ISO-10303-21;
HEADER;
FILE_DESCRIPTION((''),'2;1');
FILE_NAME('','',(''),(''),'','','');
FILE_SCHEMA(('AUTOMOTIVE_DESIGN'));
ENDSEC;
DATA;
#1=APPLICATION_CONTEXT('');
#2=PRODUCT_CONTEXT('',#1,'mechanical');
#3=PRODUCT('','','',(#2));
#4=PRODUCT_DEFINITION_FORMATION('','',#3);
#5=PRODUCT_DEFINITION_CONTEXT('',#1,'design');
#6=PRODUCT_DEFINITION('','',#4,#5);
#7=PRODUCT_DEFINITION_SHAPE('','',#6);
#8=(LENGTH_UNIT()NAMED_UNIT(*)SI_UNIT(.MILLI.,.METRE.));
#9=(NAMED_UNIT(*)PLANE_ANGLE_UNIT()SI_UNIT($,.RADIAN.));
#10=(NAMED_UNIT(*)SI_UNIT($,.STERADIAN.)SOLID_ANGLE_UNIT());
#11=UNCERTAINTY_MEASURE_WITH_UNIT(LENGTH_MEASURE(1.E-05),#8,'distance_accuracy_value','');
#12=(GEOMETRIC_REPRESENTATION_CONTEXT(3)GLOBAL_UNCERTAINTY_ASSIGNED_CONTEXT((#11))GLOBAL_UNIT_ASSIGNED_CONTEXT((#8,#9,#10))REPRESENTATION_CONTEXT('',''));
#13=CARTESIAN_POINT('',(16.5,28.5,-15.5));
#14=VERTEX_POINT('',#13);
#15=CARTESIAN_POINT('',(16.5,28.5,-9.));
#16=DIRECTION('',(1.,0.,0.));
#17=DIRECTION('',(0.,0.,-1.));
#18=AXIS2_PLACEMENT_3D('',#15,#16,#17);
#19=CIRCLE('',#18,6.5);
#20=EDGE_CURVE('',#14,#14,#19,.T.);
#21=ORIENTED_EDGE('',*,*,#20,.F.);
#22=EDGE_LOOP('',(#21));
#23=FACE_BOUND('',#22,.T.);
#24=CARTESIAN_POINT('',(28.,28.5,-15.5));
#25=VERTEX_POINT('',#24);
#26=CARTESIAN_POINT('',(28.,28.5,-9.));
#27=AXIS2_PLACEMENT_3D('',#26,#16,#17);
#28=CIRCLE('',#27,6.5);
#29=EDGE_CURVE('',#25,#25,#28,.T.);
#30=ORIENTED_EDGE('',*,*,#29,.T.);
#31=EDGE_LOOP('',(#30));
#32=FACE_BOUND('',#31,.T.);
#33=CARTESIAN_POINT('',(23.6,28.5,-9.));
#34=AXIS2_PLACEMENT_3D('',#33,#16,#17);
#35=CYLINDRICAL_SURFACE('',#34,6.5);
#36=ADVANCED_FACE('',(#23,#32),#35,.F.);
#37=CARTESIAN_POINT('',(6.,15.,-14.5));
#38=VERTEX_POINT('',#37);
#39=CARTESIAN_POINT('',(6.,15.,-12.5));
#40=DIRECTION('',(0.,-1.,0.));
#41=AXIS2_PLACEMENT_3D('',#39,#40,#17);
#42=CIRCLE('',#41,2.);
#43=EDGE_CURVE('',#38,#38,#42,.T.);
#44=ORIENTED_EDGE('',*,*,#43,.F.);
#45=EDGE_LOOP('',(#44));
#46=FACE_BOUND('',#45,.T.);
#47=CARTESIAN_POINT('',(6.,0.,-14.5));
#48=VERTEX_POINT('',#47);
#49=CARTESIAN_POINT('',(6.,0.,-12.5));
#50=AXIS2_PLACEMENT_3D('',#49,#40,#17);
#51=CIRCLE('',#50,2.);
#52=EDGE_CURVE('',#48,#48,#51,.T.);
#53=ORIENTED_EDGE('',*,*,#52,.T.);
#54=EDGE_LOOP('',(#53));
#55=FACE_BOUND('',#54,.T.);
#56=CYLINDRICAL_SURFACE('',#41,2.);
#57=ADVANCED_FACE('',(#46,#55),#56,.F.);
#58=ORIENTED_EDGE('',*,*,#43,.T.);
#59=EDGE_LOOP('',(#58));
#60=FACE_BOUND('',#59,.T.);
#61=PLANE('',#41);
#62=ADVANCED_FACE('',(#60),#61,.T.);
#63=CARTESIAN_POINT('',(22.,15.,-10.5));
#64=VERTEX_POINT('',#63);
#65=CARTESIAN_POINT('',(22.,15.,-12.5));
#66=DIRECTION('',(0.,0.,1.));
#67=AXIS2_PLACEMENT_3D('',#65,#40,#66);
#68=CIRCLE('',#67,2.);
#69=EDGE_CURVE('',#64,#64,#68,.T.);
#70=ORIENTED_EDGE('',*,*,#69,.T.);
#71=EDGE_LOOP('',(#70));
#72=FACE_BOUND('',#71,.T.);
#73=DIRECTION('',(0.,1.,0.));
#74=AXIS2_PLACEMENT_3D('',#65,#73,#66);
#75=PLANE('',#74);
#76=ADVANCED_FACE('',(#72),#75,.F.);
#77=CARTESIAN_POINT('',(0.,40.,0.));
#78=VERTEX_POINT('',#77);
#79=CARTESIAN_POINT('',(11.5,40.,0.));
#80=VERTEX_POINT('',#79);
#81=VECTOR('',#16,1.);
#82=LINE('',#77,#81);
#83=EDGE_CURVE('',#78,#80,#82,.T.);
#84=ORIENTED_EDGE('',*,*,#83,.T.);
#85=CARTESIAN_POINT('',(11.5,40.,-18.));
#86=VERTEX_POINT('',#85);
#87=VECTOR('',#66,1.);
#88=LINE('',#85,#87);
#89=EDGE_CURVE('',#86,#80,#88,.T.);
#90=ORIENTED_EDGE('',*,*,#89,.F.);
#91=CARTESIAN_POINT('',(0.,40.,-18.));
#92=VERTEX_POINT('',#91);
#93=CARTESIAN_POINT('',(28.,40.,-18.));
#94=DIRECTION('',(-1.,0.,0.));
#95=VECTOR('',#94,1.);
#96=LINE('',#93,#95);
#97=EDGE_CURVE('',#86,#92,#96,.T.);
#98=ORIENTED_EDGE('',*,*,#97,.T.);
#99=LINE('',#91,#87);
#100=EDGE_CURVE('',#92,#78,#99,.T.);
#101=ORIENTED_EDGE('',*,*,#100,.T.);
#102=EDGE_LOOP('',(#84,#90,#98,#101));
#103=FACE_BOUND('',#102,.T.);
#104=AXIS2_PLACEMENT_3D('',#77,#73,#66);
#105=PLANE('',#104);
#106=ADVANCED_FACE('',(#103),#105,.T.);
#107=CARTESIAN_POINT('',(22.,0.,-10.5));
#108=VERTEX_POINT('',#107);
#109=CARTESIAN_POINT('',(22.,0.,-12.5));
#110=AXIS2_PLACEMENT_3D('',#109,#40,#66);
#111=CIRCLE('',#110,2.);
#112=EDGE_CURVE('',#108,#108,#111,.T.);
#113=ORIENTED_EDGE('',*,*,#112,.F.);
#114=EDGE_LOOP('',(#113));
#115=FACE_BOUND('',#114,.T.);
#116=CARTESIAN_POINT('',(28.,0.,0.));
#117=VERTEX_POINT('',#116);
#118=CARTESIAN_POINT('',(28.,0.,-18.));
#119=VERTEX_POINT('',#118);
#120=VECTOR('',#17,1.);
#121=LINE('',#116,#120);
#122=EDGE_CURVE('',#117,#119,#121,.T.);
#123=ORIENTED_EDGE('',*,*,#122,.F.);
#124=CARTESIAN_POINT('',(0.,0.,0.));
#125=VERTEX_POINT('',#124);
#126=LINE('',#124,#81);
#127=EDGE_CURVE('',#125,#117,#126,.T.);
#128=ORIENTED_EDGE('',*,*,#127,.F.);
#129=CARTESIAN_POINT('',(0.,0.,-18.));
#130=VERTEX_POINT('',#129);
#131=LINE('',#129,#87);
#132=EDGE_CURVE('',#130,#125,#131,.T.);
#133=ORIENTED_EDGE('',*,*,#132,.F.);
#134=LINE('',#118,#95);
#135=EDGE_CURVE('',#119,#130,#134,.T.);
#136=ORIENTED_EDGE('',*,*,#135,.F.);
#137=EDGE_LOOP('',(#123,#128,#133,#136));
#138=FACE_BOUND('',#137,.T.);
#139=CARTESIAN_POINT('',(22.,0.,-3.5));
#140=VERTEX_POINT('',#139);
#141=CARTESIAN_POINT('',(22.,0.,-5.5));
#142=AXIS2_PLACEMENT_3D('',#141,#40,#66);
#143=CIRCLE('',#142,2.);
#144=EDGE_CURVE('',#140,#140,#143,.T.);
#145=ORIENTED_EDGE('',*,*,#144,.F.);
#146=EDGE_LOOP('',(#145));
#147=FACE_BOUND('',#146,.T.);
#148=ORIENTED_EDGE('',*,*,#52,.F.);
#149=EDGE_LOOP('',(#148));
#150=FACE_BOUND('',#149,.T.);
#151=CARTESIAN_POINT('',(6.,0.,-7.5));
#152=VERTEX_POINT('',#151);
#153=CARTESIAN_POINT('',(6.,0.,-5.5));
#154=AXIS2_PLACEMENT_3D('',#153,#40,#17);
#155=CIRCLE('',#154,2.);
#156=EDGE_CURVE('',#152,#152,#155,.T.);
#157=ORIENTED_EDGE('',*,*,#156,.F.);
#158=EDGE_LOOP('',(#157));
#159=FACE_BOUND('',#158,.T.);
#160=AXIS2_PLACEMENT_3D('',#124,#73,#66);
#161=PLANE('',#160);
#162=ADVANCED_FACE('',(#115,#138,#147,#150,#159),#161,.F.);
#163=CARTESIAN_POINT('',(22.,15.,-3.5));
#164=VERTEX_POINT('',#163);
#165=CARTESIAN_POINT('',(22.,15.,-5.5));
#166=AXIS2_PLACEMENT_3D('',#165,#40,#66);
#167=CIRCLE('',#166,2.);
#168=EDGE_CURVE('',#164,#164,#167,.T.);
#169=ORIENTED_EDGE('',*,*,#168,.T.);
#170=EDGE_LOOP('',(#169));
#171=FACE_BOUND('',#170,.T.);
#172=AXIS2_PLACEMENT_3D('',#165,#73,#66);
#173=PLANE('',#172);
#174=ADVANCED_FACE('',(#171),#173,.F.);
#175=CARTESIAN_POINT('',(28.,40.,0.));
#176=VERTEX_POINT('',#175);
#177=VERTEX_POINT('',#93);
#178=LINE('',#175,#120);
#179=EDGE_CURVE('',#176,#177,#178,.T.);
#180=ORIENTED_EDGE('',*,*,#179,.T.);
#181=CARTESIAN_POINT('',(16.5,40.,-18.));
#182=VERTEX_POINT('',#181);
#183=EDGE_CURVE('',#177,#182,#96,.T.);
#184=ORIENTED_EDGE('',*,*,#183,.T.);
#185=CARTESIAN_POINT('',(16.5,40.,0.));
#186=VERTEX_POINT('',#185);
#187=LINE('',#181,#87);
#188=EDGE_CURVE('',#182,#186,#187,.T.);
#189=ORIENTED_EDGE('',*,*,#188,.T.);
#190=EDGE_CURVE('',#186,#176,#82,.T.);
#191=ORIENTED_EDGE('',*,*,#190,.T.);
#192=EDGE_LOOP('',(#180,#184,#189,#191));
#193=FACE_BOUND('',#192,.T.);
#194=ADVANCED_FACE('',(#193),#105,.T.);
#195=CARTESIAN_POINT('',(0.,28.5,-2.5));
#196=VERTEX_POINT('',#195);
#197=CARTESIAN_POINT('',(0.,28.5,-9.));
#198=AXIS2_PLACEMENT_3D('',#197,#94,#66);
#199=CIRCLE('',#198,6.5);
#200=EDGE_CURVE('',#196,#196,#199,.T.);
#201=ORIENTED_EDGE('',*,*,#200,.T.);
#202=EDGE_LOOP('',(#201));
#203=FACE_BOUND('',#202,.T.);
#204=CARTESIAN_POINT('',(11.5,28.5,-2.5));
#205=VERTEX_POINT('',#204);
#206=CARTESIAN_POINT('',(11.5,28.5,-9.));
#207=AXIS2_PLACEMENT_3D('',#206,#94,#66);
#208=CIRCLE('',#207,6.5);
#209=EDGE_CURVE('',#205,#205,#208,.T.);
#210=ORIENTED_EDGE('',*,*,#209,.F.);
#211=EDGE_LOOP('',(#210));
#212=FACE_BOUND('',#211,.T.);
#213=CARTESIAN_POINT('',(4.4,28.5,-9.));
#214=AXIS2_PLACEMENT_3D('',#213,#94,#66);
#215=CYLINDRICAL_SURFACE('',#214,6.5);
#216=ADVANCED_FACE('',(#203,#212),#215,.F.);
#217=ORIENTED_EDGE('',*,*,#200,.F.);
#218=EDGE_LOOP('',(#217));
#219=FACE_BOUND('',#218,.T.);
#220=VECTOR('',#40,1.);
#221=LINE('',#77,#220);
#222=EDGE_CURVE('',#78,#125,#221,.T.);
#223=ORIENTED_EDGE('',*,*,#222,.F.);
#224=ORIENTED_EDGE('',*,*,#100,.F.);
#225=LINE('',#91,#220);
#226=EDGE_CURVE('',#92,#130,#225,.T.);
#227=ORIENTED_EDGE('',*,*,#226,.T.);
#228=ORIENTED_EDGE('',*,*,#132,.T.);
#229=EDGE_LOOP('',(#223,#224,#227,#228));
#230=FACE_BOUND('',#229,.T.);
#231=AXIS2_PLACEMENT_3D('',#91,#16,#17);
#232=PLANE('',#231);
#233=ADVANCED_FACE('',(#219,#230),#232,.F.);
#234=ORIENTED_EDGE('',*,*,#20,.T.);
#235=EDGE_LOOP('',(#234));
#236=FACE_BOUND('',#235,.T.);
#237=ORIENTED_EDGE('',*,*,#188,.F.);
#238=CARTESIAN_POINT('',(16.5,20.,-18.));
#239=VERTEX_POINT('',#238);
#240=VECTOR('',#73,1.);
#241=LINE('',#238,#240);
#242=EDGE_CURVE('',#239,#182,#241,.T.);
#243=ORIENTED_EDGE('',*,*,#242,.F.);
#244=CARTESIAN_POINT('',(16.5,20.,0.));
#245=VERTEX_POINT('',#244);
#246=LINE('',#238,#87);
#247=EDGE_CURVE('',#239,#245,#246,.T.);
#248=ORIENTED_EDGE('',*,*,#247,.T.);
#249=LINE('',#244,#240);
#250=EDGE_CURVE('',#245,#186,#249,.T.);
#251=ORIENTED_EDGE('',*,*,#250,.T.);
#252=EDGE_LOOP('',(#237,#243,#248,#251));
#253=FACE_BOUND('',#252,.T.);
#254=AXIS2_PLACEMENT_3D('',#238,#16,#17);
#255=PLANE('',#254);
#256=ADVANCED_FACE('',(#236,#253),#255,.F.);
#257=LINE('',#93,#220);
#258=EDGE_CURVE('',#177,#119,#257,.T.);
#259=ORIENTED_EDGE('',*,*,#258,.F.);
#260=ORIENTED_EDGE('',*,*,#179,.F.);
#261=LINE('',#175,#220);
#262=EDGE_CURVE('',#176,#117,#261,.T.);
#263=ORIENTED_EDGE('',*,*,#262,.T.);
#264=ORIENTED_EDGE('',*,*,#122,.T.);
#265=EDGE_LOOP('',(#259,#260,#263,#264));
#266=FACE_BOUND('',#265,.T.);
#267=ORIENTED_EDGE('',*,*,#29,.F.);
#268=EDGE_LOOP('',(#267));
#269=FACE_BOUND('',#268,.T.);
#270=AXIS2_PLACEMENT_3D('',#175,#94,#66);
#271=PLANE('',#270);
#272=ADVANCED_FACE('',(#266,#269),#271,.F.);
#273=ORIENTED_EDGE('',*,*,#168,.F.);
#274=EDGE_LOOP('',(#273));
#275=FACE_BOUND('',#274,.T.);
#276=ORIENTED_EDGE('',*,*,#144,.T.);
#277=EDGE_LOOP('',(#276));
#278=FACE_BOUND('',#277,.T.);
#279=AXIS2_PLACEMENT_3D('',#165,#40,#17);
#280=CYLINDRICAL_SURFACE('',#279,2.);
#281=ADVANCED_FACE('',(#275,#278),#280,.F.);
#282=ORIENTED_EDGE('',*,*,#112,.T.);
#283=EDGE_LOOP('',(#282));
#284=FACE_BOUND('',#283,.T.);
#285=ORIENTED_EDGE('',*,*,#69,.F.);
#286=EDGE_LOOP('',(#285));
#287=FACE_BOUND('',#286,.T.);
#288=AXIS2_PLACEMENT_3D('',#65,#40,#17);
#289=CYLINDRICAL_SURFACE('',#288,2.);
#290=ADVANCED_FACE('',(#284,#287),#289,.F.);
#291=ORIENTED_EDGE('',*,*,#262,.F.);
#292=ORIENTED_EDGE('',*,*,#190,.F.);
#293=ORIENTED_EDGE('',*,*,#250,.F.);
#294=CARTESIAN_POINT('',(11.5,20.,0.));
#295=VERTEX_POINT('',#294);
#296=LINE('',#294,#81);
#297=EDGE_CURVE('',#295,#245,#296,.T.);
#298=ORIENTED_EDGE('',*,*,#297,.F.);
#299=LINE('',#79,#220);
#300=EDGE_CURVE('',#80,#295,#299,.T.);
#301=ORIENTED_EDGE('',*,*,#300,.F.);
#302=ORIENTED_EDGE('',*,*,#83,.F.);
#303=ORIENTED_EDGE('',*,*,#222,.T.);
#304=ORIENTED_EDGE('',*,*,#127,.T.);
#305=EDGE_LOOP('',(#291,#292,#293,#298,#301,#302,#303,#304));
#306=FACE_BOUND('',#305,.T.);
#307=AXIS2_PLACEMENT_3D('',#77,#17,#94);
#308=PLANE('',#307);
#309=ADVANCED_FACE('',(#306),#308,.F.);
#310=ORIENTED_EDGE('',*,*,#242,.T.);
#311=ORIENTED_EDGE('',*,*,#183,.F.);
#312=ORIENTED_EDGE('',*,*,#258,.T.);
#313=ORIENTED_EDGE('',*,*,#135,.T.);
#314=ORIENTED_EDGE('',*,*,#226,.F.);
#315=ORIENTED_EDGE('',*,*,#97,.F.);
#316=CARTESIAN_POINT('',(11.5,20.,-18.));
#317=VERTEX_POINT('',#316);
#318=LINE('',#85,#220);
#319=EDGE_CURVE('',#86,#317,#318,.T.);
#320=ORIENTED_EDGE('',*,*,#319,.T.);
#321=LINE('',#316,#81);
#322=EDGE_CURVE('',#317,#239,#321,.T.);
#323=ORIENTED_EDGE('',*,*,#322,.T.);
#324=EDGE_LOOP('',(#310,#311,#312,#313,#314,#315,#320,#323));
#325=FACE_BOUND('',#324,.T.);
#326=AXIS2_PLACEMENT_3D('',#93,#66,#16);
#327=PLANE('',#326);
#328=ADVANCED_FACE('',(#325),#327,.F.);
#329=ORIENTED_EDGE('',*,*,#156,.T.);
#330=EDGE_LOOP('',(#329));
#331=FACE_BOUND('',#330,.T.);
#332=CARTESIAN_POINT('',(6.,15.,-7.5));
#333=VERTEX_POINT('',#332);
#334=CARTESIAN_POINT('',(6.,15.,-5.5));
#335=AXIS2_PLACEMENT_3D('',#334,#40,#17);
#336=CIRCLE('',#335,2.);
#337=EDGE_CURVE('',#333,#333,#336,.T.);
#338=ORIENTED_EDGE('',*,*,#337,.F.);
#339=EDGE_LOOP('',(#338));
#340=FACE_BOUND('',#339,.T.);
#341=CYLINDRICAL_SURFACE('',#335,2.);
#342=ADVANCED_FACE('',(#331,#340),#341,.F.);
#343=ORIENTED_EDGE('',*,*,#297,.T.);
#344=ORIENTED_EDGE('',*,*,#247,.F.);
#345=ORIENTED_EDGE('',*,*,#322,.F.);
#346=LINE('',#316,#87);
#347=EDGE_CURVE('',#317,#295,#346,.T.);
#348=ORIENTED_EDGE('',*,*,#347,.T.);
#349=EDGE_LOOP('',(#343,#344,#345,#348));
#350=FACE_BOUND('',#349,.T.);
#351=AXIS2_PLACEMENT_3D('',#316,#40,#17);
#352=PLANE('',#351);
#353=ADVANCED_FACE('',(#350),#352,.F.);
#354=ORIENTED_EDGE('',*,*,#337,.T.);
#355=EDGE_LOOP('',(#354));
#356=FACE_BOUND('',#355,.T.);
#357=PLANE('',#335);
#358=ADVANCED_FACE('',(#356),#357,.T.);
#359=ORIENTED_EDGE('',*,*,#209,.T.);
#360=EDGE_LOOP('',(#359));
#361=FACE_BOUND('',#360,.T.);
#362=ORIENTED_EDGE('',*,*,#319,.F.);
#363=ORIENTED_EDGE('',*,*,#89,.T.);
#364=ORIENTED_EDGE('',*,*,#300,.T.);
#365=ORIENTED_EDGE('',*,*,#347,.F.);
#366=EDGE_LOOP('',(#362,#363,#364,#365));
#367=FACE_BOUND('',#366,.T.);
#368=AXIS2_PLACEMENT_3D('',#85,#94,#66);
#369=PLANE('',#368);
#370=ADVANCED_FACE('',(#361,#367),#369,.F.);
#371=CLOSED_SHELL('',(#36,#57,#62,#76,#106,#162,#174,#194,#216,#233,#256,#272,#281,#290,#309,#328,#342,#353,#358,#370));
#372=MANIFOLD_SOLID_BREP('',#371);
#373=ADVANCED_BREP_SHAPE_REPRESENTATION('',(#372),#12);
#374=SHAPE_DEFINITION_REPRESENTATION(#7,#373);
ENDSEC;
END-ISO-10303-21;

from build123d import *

# Parameters (mm, degrees)
SKETCH_1_W          = 28
SKETCH_1_H          = 18
EXTRUDE_1_DEPTH     = 40
SKETCH_2_R          = 2
CUT_EXTRUDE_1_DEPTH = 15
SKETCH_4_R          = 7.5
CUT_EXTRUDE_2_DEPTH = 1.2
SKETCH_5_R          = 6.5
CUT_EXTRUDE_3_DEPTH = 3.2
CUT_EXTRUDE_4_REACH = 51.809
SKETCH_6_R          = 2.5
CUT_EXTRUDE_START   = -1.2
SKETCH_7_R          = 7.5
CUT_EXTRUDE_5_DEPTH = 1.2
CUT_EXTRUDE_START_2 = -3.2
SKETCH_8_R          = 6.5
CUT_EXTRUDE_6_DEPTH = 3.2
CUT_EXTRUDE_7_DEPTH = 53.038447325
EXTRUDE_START       = 1.2
SKETCH_10_R         = 7.5
SKETCH_10_R_2       = 6.5
EXTRUDE_2_DEPTH     = 1.2
SKETCH_11_R         = 7.5
SKETCH_11_R_2       = 6.5
EXTRUDE_3_DEPTH     = 1.2
CUT_EXTRUDE_START_3 = -19.2
SKETCH_12_R         = 6.5
CUT_EXTRUDE_8_DEPTH = 19.2


with BuildPart() as part:
    # 草图1 → 凸台-拉伸1 (new body)
    with BuildSketch(Plane(origin=(0, 0, 0), x_dir=(1, 0, 0), z_dir=(0, 1, 0))):
        with Locations((14, 9)):
            Rectangle(SKETCH_1_W, SKETCH_1_H)
    extrude(amount=EXTRUDE_1_DEPTH)

    # 草图2 → 切除-拉伸1 (cut)
    with BuildSketch(Plane.XZ):
        with Locations(Location((6, -5.5, 0), (0, 0, 270))):
            Circle(SKETCH_2_R)
        with Locations(Location((6, -12.5, 0), (0, 0, 270))):
            Circle(SKETCH_2_R)
        with Locations(Location((22, -12.5, 0), (0, 0, 90))):
            Circle(SKETCH_2_R)
        with Locations(Location((22, -5.5, 0), (0, 0, 90))):
            Circle(SKETCH_2_R)
    extrude(amount=-CUT_EXTRUDE_1_DEPTH, mode=Mode.SUBTRACT)

    # 草图4 → 切除-拉伸2 (cut)
    with BuildSketch(Plane(origin=(28, 0, 0), x_dir=(0, 0, -1), z_dir=(1, 0, 0))):
        with Locations((9, 28.5)):
            Circle(SKETCH_4_R)
    extrude(amount=-CUT_EXTRUDE_2_DEPTH, mode=Mode.SUBTRACT)

    # 草图5 → 切除-拉伸3 (cut)
    with BuildSketch(Plane(origin=(26.8, 0, 0), x_dir=(0, 0, -1), z_dir=(1, 0, 0))):
        with Locations((9, 28.5)):
            Circle(SKETCH_5_R)
    extrude(amount=-CUT_EXTRUDE_3_DEPTH, mode=Mode.SUBTRACT)

    # 草图6 → 切除-拉伸4 (cut, up to next)
    with BuildSketch(Plane(origin=(23.6, 0, 0), x_dir=(0, 0, -1), z_dir=(1, 0, 0)), mode=Mode.PRIVATE) as cut_extrude_4_sk1:
        with Locations((9, 28.5)):
            Circle(SKETCH_6_R)
    cut_extrude_4_tool1 = extrude(cut_extrude_4_sk1.sketch, amount=-CUT_EXTRUDE_4_REACH, mode=Mode.PRIVATE) & part.part
    add(cut_extrude_4_tool1.solids().sort_by_distance((23.6, 28.5, -9))[0], mode=Mode.SUBTRACT)

    # 草图7 → 切除-拉伸5 (cut)
    with BuildSketch(Plane.ZY.offset(CUT_EXTRUDE_START)):
        with Locations(Location((-9, 28.5, 0), (0, 0, 180))):
            Circle(SKETCH_7_R)
    extrude(amount=CUT_EXTRUDE_5_DEPTH, mode=Mode.SUBTRACT)

    # 草图8 → 切除-拉伸6 (cut)
    with BuildSketch(Plane.ZY.offset(-1.2).offset(CUT_EXTRUDE_START_2)):
        with Locations(Location((-9, 28.5, 0), (0, 0, 180))):
            Circle(SKETCH_8_R)
    extrude(amount=CUT_EXTRUDE_6_DEPTH, mode=Mode.SUBTRACT)

    # 草图9 → 切除-拉伸7 (cut, through all)
    with BuildSketch(Plane.XY):
        Polygon((14, 40), (11.5, 40), (11.5, 20), (16.5, 20), (16.5, 40), align=None)
    extrude(amount=-CUT_EXTRUDE_7_DEPTH, mode=Mode.SUBTRACT)

    # 草图10 → 凸台-拉伸2 (add)
    with BuildSketch(Plane(origin=(26.8, 0, 0), x_dir=(0, 0, -1), z_dir=(1, 0, 0)).offset(EXTRUDE_START)):
        with Locations(Location((9, 28.5, 0), (0, 0, 180))):
            Circle(SKETCH_10_R)
        with Locations((9, 28.5)):
            Circle(SKETCH_10_R_2, mode=Mode.SUBTRACT)
    extrude(amount=-EXTRUDE_2_DEPTH)

    # 草图11 → 凸台-拉伸3 (add)
    with BuildSketch(Plane.ZY.offset(-1.2)):
        with Locations((-9, 28.5)):
            Circle(SKETCH_11_R)
        with Locations(Location((-9, 28.5, 0), (0, 0, 180))):
            Circle(SKETCH_11_R_2, mode=Mode.SUBTRACT)
    extrude(amount=EXTRUDE_3_DEPTH)

    # 草图12 → 切除-拉伸8 (cut)
    with BuildSketch(Plane.ZY.offset(-4.4).offset(CUT_EXTRUDE_START_3)):
        with Locations(Location((-9, 28.5, 0), (0, 0, 180))):
            Circle(SKETCH_12_R)
    extrude(amount=CUT_EXTRUDE_8_DEPTH, mode=Mode.SUBTRACT)


solid = part.part
